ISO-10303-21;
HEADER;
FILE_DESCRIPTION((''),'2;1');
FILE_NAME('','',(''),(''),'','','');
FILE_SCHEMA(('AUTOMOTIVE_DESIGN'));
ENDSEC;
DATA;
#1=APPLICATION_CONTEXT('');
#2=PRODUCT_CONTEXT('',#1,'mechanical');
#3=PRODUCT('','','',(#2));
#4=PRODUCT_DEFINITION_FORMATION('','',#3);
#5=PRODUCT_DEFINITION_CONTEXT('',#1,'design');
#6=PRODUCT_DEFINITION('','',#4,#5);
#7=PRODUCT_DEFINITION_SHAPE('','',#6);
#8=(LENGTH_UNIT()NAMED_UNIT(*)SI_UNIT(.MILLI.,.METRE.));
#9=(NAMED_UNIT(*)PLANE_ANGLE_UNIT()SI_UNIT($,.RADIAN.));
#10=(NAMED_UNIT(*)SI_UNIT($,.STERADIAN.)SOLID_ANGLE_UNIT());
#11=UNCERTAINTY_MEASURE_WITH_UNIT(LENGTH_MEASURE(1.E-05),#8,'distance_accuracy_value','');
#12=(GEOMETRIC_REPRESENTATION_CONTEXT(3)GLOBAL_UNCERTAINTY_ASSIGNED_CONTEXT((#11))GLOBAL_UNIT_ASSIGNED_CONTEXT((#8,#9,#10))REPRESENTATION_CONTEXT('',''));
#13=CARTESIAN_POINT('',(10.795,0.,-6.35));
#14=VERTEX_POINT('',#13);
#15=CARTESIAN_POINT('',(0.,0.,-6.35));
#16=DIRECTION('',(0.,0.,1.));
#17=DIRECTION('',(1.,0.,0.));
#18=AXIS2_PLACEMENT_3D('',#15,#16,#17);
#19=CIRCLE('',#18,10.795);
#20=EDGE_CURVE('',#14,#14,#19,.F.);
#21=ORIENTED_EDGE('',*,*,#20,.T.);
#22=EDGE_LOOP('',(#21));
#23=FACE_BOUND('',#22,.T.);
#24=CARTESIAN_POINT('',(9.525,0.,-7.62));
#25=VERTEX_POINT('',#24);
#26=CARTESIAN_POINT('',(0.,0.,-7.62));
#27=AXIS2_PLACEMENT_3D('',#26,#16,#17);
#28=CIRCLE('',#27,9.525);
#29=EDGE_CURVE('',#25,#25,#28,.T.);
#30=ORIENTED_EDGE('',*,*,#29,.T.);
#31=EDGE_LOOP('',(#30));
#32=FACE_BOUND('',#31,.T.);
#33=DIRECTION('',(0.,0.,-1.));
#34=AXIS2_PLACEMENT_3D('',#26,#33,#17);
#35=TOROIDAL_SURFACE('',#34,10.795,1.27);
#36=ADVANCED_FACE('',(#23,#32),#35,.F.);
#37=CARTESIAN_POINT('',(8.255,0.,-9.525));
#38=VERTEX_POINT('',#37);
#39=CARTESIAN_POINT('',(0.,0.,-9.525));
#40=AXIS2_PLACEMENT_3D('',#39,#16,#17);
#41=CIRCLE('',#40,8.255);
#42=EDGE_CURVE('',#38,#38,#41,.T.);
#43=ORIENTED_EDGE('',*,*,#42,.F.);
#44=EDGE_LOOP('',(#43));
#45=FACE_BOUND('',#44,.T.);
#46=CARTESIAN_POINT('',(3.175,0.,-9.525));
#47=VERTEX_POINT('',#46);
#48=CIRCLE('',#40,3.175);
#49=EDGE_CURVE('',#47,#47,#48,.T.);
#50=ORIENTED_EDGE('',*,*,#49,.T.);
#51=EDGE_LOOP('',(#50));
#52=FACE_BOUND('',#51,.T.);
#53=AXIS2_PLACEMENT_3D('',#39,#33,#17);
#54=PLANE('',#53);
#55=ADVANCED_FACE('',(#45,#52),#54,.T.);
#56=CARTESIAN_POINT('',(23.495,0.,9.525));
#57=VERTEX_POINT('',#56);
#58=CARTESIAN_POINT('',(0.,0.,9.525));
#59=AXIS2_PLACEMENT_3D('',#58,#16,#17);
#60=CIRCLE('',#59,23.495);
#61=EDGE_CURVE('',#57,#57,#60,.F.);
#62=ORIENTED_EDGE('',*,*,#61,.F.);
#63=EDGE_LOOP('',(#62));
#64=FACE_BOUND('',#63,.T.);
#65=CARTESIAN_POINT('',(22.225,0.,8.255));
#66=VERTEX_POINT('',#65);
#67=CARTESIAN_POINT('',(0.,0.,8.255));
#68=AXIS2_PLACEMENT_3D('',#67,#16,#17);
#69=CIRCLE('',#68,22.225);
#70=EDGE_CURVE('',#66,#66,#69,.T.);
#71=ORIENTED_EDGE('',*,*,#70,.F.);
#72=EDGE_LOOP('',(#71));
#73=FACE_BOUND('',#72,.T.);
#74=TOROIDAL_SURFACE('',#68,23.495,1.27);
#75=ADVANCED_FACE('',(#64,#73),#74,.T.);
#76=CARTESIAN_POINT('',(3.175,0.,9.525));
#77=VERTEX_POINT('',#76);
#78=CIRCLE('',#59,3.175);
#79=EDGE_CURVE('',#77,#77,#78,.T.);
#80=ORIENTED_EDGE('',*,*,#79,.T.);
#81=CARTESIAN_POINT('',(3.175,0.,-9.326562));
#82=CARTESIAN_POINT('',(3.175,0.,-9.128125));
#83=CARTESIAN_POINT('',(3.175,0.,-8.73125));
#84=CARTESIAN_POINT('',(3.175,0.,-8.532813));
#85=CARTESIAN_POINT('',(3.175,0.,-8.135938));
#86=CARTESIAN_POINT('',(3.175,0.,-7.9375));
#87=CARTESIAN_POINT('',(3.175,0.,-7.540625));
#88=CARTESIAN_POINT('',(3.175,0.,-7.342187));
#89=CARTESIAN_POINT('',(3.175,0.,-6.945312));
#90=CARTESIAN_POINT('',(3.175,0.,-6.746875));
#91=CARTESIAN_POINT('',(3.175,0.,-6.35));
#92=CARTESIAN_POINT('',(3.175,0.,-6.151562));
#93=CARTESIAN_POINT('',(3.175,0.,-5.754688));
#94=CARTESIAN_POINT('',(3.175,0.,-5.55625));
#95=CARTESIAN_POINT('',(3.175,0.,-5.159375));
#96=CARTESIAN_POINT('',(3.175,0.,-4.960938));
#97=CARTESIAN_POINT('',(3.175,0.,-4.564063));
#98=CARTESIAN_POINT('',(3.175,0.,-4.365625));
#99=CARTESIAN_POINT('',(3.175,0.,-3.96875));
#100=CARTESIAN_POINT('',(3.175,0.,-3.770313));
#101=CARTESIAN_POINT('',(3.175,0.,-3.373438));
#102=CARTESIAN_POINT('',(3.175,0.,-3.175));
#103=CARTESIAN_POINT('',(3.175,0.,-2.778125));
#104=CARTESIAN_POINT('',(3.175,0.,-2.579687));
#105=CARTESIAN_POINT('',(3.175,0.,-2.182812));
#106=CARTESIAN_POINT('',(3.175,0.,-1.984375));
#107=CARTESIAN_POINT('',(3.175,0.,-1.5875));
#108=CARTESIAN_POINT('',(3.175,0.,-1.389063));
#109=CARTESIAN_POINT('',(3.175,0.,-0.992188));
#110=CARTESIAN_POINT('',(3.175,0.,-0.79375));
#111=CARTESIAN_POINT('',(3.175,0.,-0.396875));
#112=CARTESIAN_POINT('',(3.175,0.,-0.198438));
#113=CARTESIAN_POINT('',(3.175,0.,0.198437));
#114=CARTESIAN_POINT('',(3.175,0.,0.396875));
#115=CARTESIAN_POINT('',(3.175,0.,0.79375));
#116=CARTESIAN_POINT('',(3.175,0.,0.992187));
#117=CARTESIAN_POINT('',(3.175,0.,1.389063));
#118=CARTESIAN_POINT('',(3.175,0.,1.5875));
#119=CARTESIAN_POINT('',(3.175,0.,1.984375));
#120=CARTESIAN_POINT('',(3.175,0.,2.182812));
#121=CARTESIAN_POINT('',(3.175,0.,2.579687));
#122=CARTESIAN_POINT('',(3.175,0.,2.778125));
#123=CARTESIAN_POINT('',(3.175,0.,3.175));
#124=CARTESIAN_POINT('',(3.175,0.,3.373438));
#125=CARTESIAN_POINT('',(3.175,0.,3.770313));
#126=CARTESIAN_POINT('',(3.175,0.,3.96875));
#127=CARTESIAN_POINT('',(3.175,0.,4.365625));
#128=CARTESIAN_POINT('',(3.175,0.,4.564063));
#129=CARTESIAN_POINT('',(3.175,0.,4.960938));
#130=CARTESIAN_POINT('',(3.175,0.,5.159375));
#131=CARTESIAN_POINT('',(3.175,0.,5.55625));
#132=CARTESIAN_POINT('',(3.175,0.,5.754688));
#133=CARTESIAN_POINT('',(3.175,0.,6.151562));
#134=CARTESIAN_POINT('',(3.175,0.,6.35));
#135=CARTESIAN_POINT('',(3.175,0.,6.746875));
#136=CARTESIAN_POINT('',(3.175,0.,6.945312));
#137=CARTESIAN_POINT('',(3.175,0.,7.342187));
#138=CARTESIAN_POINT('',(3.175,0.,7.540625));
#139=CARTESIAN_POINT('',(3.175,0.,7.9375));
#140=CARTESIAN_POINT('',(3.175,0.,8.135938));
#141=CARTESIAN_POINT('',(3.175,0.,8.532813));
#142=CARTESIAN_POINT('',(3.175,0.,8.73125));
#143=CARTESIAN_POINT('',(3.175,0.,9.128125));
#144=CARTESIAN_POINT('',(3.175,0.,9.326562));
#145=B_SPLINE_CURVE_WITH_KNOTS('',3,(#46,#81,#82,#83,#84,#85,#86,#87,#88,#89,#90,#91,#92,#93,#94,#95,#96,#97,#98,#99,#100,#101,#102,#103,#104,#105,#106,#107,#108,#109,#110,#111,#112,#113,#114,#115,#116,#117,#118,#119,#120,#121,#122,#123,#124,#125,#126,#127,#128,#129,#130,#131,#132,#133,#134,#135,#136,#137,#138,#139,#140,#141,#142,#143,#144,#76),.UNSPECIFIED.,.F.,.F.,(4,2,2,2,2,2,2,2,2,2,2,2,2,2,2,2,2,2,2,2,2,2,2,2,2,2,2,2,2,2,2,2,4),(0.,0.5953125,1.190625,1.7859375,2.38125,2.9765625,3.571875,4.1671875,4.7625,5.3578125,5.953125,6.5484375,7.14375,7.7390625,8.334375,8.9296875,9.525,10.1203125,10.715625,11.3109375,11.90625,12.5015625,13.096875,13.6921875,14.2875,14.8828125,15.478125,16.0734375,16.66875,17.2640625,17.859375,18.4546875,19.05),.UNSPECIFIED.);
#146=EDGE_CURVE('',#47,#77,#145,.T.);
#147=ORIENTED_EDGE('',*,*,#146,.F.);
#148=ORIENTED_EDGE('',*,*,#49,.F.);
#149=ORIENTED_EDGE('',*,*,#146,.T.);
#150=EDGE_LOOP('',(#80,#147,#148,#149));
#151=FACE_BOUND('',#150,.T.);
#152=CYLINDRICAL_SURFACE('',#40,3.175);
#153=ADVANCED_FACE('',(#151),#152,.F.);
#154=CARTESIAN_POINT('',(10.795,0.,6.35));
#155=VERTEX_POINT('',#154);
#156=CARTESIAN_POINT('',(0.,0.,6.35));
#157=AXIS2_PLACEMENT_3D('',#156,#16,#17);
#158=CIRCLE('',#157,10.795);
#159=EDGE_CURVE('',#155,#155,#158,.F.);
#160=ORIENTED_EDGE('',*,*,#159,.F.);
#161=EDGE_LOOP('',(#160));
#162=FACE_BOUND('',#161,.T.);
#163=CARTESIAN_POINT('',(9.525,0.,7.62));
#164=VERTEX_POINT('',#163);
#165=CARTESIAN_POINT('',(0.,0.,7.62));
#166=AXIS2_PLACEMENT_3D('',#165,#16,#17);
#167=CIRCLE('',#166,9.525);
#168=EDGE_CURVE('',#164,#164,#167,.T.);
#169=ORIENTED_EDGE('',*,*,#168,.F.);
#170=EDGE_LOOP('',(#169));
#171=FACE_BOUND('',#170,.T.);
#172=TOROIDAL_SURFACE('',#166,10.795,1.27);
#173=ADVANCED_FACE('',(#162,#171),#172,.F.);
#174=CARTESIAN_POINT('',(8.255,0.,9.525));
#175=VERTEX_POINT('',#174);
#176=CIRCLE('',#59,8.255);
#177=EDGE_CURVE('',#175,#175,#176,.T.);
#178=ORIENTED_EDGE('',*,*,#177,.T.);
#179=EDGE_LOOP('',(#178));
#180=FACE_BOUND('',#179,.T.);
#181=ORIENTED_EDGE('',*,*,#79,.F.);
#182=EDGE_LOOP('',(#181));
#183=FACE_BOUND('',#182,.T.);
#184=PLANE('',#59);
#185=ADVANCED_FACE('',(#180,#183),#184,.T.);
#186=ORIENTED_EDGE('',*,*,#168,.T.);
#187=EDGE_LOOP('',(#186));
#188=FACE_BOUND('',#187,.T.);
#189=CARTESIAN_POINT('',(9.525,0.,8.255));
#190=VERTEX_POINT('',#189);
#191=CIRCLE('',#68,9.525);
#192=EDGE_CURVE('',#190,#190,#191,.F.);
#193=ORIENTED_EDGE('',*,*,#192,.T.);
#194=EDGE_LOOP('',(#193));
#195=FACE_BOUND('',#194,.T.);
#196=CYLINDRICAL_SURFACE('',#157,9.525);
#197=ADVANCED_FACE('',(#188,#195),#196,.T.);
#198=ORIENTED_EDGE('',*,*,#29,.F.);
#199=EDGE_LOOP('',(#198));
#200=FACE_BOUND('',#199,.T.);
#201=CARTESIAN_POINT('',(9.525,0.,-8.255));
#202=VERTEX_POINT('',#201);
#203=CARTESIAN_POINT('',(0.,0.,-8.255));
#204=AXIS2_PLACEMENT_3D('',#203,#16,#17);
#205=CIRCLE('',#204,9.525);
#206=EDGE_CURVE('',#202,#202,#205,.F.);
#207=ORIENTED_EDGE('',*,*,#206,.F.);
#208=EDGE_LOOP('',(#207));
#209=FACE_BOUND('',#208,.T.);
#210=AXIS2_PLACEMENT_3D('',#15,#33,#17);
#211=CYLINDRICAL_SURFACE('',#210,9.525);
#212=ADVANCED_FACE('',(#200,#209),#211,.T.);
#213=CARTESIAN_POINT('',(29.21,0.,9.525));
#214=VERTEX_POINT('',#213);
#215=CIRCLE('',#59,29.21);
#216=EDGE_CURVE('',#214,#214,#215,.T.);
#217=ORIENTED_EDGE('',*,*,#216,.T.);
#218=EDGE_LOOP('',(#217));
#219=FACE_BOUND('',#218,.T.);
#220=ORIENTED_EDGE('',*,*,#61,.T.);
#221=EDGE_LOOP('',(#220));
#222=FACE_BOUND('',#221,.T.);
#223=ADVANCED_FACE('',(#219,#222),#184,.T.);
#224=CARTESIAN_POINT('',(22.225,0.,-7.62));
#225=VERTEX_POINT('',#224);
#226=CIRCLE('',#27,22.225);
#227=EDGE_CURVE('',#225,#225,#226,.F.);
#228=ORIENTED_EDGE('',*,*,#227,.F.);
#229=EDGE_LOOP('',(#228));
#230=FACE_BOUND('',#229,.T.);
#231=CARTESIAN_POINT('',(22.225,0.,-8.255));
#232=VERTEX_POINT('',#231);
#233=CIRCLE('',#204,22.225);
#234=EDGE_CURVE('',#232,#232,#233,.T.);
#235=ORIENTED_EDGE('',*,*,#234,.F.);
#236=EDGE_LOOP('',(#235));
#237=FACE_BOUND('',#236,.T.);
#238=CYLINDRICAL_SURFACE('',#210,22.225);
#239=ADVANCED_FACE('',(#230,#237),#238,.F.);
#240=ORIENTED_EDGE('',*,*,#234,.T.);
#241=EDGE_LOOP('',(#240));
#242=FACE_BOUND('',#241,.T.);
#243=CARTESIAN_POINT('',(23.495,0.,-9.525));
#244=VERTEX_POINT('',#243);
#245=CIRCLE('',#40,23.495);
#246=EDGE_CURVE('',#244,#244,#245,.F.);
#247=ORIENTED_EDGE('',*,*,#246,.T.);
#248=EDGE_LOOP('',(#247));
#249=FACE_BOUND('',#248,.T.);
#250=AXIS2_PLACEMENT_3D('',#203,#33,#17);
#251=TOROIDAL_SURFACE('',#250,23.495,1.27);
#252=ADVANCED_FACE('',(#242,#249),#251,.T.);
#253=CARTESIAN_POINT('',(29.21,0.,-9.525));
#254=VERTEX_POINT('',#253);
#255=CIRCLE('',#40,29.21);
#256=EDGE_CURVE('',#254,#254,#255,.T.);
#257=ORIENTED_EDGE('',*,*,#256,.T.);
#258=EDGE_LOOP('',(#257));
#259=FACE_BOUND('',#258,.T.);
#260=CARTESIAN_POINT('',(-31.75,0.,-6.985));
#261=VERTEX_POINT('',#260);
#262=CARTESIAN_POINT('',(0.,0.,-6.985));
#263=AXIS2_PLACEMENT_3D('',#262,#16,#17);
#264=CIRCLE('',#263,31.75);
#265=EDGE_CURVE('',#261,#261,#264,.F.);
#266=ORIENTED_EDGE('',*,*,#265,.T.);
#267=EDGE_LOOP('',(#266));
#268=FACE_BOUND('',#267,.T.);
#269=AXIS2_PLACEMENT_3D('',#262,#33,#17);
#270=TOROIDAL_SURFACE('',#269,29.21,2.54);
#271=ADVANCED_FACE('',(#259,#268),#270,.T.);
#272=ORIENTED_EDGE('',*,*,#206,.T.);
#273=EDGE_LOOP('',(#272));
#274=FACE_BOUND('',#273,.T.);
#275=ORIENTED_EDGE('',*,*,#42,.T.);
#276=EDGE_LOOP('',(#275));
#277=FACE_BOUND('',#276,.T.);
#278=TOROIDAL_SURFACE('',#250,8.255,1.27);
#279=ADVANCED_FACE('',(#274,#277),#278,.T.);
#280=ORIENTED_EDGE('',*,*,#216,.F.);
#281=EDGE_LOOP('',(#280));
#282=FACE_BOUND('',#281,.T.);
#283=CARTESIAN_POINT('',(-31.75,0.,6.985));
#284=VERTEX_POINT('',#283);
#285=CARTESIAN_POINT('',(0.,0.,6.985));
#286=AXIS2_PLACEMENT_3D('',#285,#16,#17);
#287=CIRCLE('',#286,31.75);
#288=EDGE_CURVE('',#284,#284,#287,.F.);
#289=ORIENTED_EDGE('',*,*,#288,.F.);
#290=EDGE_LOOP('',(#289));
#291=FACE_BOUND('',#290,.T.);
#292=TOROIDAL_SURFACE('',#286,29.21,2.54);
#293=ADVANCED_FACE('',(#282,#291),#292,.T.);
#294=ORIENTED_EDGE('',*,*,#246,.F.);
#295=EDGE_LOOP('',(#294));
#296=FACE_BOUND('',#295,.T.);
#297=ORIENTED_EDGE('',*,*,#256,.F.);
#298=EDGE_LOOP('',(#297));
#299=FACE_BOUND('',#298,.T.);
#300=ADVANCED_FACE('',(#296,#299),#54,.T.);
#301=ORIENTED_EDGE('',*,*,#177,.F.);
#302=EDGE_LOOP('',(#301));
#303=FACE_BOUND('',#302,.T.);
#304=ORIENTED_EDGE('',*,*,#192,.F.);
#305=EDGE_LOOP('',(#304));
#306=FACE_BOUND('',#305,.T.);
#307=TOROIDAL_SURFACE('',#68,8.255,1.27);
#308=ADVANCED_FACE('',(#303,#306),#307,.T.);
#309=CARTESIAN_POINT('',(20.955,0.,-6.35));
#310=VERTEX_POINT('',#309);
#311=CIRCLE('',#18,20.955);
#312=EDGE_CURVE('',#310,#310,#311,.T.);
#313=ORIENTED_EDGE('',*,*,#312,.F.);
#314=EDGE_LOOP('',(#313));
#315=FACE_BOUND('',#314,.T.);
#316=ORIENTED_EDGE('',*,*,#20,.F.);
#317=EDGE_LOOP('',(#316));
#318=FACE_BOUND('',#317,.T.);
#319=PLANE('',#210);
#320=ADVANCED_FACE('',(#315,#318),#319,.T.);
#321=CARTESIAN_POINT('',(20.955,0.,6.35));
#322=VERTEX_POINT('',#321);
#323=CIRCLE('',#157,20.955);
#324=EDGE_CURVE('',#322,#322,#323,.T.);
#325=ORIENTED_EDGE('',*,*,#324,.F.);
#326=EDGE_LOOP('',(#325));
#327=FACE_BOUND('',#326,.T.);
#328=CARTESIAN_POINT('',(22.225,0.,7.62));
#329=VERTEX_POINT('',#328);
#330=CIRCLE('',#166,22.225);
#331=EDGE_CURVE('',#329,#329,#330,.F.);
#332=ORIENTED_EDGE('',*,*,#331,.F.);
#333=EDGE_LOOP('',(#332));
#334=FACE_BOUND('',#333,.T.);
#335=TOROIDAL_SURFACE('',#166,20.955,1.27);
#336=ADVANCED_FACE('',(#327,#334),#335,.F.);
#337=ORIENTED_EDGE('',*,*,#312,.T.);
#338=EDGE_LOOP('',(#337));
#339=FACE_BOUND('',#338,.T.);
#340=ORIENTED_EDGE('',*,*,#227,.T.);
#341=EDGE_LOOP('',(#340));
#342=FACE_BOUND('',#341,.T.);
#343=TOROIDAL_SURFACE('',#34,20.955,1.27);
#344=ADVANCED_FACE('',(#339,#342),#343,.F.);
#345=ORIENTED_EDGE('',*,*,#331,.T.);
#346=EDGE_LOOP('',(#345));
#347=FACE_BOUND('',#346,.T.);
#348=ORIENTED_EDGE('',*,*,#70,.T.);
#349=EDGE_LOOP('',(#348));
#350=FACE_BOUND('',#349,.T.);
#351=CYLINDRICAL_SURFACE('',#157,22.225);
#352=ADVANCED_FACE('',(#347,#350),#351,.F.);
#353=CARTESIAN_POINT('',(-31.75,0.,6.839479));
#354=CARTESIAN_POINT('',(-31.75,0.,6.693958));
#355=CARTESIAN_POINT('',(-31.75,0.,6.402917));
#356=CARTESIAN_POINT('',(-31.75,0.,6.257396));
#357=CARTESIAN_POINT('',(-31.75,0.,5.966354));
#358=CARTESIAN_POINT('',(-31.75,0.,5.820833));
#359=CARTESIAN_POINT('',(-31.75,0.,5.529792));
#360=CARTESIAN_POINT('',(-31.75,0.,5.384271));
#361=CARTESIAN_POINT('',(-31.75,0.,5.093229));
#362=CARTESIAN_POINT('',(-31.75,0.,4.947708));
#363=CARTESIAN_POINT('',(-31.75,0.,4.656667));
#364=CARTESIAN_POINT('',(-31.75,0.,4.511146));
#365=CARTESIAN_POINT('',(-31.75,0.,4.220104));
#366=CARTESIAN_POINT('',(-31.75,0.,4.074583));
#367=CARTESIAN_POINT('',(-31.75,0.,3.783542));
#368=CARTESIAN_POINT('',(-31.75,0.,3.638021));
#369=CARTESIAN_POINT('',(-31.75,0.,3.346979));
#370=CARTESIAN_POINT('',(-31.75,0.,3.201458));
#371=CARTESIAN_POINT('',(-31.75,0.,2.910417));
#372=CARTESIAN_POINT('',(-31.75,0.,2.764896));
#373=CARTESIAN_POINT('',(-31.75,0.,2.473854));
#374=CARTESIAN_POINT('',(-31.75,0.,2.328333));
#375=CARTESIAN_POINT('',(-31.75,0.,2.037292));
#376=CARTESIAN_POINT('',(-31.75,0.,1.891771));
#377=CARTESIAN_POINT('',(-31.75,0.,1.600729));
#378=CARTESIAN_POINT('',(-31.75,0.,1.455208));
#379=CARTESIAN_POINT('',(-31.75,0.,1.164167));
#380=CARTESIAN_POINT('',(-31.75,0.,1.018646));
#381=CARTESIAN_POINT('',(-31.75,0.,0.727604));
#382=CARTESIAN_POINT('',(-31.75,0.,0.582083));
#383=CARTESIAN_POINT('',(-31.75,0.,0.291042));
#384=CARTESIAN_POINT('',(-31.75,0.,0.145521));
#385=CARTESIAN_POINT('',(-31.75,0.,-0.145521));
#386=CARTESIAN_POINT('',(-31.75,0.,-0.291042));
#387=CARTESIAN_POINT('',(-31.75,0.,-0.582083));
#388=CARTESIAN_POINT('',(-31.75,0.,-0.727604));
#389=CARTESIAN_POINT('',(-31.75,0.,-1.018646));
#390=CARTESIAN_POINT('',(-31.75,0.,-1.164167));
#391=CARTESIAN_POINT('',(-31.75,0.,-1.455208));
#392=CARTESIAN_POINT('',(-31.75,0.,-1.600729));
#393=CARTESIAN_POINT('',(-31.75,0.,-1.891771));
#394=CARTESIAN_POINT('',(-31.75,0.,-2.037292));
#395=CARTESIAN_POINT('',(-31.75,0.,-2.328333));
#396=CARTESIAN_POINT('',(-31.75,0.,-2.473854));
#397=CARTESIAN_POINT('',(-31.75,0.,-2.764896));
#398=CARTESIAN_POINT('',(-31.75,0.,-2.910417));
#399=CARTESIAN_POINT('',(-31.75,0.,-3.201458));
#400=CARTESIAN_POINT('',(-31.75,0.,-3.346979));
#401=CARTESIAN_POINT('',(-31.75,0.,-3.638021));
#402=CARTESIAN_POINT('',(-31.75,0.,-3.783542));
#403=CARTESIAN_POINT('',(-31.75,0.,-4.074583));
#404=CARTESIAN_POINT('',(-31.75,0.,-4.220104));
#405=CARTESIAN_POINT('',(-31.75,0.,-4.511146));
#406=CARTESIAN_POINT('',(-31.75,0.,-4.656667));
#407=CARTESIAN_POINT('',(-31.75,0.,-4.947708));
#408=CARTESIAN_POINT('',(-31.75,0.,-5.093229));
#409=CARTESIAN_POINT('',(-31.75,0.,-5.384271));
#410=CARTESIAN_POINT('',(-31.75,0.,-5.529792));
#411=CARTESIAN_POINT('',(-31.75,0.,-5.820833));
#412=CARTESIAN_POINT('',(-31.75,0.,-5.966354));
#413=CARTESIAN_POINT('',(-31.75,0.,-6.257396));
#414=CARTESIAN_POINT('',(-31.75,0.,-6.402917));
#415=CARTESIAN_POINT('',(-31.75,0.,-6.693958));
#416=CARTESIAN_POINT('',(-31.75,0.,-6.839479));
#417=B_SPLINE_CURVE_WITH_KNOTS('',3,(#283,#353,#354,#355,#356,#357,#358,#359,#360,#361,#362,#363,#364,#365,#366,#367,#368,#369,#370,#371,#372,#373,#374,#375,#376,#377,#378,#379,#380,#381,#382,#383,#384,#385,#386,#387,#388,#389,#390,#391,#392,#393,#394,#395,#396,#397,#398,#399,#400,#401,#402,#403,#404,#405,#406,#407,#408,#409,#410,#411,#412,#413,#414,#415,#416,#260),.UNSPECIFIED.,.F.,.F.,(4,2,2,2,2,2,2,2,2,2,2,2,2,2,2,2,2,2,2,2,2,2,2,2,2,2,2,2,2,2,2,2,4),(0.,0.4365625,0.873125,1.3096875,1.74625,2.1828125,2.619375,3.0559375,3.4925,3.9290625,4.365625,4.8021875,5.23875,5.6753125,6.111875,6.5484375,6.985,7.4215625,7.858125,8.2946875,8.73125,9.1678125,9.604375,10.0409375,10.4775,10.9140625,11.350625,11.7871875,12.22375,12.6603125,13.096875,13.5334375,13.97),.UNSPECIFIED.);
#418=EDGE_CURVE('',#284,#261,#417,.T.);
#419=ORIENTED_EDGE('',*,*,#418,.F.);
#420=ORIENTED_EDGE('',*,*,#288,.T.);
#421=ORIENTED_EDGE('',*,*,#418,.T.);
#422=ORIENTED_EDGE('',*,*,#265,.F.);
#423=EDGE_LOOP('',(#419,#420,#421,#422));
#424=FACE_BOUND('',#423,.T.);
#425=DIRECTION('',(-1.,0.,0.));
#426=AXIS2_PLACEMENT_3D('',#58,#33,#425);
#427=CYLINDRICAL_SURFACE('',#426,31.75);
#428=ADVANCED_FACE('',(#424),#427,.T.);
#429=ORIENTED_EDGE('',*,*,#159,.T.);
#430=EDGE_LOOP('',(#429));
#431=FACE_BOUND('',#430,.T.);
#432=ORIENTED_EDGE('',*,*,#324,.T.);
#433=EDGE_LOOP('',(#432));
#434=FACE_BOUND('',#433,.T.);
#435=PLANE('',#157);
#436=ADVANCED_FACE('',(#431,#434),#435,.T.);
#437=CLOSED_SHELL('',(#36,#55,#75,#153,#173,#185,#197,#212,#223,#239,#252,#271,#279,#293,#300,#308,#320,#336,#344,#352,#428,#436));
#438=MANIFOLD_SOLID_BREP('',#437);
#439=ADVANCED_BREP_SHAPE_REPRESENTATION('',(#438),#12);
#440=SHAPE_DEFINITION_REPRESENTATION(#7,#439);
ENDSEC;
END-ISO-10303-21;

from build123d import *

# Parameters (mm, degrees)
SKETCH1_R           = 31.75
BOSS_EXTRUDE1_DEPTH = 9.525
FILLET1_R           = 2.54
SKETCH2_R           = 22.225
SKETCH2_R_2         = 9.525
CUT_EXTRUDE1_DEPTH  = 3.175
FILLET2_R           = 1.27
SKETCH3_R           = 3.175
CUT_EXTRUDE2_DEPTH  = 49.775275564


with BuildPart() as part:
    # Sketch1 → Boss-Extrude1 (new body)
    with BuildSketch(Plane.XY):
        with Locations(Location((0, 0, 0), (0, 0, 180))):
            Circle(SKETCH1_R)
    extrude(amount=BOSS_EXTRUDE1_DEPTH)

    # Fillet1
    fillet1_edges = [part.edges().sort_by_distance(p)[0] for p in [
        (31.75, 0, 9.525),
    ]]
    fillet(fillet1_edges, radius=FILLET1_R)

    # Sketch2 → Cut-Extrude1 (cut)
    with BuildSketch(Plane.XY.offset(9.525)):
        Circle(SKETCH2_R)
        Circle(SKETCH2_R_2, mode=Mode.SUBTRACT)
    extrude(amount=-CUT_EXTRUDE1_DEPTH, mode=Mode.SUBTRACT)

    # Fillet2
    fillet2_edges = [part.edges().sort_by_distance(p)[0] for p in [
        (-9.525, 0, 6.35),
        (-22.225, 0, 9.525),
        (-9.525, 0, 9.525),
        (-22.225, 0, 6.35),
    ]]
    fillet(fillet2_edges, radius=FILLET2_R)

    # Mirror8: part across plane


with BuildPart() as part_1:
    add(part.part)
    add(part.part.mirror(Plane.XY))

    # Sketch3 → Cut-Extrude2 (cut, through all)
    with BuildSketch(Plane.XY.offset(9.525)):
        Circle(SKETCH3_R)
    extrude(amount=-CUT_EXTRUDE2_DEPTH, mode=Mode.SUBTRACT)


solid = part_1.part
